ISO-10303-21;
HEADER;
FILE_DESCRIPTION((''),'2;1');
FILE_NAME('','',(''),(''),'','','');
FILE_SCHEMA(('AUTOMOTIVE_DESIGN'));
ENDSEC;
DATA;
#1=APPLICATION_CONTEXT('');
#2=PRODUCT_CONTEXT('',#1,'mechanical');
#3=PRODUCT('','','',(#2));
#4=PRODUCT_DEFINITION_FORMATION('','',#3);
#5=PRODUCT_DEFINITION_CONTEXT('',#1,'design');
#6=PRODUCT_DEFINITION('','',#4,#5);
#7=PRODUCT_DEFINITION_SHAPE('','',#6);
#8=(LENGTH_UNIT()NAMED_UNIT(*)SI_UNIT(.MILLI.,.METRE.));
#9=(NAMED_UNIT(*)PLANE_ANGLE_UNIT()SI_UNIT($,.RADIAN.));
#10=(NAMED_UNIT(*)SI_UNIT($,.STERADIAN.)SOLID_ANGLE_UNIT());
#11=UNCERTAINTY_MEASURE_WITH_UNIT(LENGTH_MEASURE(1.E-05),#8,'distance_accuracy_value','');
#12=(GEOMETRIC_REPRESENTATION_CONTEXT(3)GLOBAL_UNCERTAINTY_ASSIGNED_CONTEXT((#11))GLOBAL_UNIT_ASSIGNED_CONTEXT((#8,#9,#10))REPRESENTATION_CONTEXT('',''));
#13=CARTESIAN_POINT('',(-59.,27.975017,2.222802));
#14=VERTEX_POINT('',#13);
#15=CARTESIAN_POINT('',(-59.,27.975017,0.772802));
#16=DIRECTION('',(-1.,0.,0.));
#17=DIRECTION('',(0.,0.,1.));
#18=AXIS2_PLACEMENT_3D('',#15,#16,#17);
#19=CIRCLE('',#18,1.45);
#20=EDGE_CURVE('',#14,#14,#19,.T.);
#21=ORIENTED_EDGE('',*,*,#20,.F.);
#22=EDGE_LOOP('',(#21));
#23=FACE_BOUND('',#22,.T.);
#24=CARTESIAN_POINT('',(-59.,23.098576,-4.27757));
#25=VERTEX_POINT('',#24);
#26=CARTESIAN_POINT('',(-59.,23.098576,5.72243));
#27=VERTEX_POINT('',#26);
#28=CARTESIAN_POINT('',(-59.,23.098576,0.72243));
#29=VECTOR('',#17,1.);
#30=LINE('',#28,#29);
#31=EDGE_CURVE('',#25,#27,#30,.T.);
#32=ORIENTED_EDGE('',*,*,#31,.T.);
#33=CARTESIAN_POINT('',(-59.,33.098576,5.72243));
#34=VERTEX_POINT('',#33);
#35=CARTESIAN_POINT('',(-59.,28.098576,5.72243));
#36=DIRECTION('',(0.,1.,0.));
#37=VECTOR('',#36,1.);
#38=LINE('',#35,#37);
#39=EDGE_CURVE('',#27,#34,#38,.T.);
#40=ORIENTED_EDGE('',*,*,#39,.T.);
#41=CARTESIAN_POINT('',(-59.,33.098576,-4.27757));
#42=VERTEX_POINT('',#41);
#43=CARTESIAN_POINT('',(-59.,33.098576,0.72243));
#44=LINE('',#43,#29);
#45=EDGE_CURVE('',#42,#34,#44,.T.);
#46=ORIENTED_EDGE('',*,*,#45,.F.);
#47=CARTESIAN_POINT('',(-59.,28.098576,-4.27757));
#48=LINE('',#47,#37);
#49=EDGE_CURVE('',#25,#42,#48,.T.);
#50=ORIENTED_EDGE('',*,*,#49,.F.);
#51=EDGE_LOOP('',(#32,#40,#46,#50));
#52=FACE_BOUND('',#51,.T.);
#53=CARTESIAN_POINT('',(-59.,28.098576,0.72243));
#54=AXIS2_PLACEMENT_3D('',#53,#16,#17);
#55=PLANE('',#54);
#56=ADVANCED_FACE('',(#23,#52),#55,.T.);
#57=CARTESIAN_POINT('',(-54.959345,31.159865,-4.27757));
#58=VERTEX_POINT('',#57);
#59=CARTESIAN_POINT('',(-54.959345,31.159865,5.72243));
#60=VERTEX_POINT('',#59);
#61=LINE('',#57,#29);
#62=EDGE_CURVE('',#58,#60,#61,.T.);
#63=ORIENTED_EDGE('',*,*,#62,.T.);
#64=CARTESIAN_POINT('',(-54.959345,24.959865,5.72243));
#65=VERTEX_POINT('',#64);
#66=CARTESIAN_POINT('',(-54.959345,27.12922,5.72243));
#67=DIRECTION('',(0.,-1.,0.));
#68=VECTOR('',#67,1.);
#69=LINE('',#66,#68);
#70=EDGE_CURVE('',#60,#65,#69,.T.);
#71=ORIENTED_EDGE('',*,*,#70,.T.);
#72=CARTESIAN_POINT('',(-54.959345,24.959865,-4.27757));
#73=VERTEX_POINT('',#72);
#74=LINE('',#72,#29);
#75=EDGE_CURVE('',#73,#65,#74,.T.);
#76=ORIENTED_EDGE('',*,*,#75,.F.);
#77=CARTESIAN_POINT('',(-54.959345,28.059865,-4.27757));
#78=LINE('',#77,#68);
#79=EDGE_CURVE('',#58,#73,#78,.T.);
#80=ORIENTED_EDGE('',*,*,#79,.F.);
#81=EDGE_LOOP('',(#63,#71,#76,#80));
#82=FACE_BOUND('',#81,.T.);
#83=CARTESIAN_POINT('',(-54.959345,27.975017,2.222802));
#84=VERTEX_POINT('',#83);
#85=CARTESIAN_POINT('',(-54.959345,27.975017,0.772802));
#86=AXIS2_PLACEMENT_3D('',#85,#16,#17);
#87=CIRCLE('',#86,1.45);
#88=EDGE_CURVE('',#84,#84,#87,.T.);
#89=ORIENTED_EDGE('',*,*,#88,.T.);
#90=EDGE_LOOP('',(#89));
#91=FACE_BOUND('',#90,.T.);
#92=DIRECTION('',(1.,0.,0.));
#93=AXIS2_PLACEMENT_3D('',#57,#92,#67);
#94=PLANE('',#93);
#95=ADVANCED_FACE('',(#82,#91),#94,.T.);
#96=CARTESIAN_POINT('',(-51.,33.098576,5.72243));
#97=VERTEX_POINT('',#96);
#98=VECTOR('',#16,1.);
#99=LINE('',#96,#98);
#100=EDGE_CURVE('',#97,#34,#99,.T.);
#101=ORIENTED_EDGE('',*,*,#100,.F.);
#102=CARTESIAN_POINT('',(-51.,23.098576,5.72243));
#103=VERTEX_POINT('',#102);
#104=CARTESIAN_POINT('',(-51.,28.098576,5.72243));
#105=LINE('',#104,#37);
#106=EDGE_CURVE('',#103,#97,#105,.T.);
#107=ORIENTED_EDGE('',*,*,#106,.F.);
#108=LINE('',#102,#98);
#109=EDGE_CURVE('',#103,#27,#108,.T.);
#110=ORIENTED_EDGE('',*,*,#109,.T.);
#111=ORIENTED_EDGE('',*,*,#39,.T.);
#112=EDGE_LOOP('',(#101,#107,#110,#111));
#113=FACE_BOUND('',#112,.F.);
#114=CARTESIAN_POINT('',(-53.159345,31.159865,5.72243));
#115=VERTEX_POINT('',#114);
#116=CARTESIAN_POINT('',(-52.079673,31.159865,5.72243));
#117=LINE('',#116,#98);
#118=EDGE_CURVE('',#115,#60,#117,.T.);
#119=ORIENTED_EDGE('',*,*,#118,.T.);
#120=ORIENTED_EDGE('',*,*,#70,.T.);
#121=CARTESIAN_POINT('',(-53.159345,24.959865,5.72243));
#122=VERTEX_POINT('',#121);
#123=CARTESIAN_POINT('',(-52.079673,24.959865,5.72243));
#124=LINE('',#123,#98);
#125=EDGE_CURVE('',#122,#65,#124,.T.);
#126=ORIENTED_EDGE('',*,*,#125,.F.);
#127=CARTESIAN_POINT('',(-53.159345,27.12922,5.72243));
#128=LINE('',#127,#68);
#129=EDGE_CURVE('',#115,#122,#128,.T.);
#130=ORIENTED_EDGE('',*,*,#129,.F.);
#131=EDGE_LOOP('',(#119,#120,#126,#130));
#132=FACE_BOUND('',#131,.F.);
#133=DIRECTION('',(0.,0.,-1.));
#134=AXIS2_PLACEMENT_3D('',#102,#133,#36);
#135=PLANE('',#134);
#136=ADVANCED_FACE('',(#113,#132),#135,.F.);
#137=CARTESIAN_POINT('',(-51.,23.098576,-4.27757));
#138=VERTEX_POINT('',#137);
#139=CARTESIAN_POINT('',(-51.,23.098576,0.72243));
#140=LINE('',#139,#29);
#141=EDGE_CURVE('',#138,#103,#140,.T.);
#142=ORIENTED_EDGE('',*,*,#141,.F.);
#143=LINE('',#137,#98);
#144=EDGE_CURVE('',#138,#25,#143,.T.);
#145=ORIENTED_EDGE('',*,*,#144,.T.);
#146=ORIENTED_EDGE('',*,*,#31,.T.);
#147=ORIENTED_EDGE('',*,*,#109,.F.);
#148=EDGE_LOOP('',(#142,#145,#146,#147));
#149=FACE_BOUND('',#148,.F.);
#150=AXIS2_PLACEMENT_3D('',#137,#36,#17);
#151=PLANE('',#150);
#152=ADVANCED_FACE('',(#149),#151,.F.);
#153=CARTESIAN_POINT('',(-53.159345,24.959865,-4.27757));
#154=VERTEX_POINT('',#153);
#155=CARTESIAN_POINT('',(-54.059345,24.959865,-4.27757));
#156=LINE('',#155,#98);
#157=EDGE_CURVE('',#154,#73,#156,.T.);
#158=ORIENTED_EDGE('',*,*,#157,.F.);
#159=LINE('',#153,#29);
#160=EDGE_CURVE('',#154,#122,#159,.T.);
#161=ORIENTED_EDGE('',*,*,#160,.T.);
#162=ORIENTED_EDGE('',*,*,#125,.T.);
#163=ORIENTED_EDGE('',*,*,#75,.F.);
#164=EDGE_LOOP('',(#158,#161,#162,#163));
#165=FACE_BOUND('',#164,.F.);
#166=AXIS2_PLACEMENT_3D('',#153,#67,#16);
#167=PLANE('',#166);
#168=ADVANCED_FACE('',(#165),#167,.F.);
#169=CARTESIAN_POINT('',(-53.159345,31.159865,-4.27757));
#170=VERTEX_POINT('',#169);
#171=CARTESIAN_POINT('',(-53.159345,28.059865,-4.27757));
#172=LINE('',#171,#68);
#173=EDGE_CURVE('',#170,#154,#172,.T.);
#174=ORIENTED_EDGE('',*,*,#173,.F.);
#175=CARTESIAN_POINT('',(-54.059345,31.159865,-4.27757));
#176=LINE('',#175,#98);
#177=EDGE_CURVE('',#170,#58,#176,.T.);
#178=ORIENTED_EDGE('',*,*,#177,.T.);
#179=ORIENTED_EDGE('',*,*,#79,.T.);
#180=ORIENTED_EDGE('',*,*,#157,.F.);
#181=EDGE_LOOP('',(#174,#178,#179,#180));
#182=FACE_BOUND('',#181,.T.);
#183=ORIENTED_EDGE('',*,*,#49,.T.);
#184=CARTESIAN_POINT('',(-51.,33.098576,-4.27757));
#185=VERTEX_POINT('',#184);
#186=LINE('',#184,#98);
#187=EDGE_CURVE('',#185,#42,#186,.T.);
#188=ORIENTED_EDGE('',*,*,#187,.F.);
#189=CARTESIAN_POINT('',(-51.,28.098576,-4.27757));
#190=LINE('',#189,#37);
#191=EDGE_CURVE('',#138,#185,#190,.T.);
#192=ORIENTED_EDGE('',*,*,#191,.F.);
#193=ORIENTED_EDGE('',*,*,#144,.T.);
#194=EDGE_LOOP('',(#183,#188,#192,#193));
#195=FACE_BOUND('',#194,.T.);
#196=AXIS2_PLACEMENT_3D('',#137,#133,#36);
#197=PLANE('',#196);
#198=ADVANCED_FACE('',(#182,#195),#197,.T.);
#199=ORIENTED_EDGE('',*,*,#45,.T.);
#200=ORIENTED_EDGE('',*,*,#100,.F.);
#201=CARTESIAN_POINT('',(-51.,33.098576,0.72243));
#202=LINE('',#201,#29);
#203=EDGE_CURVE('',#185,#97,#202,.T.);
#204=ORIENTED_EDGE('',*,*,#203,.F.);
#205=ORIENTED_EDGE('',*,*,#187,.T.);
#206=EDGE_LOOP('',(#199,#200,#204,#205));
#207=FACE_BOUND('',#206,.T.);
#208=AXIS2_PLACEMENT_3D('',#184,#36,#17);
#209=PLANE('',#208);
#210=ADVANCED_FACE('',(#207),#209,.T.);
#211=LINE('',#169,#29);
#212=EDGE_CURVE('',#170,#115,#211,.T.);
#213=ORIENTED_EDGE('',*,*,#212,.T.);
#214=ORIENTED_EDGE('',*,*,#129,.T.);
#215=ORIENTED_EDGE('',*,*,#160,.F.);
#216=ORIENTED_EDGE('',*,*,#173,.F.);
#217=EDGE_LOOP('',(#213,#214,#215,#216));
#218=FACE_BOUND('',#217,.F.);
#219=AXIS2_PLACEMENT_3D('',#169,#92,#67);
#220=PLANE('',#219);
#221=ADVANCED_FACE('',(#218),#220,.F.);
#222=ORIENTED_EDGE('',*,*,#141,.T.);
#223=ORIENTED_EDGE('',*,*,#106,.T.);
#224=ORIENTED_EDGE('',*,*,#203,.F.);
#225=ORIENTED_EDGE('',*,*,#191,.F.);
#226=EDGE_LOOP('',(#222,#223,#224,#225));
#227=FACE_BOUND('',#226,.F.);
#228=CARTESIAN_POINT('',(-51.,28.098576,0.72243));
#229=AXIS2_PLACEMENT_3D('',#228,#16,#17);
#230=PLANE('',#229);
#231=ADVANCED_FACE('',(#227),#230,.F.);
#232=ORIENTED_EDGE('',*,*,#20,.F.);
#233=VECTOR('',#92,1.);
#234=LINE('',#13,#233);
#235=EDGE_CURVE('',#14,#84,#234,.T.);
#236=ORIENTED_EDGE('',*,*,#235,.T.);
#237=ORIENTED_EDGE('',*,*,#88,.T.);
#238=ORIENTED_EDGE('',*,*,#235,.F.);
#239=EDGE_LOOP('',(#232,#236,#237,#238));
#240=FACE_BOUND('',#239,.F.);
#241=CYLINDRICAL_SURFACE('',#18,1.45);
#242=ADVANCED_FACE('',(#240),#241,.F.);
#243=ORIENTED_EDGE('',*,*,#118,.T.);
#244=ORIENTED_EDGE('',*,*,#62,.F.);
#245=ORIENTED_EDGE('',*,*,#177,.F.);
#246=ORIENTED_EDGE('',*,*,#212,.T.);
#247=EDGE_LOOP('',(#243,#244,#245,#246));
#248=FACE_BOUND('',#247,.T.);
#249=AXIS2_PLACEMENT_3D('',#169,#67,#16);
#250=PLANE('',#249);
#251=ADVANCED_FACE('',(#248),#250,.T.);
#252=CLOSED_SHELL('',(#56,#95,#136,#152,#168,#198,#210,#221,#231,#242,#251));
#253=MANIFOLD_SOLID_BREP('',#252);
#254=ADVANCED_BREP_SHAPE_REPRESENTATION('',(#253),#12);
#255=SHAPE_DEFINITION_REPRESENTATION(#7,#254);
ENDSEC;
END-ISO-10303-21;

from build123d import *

# Parameters (mm, degrees)
SKETCH038_W             = 10
SKETCH038_H             = 10
PAD014_DEPTH            = 8
SKETCH039_R             = 1.45
POCKET009_DEPTH         = 5
SKETCH040_W             = 6.2
SKETCH040_H             = 1.8
POCKET010_DEPTH         = 15
BODY015_PLACEMENT_ANGLE = 90


with BuildPart() as part:
    # Sketch038 → Pad014 (new body)
    with BuildSketch(Plane.XY):
        with Locations((0.72243, -0.901424)):
            Rectangle(SKETCH038_W, SKETCH038_H)
    extrude(amount=PAD014_DEPTH)

    # Sketch039 (on Face6 of Pad014) → Pocket009 (cut)
    with BuildSketch(Plane.XY.offset(8)):
        with Locations((0.772802, -1.024983)):
            Circle(SKETCH039_R)
    extrude(amount=-POCKET009_DEPTH, mode=Mode.SUBTRACT)

    # Sketch040 (on Face2 of Pocket009) → Pocket010 (cut)
    with BuildSketch(Plane(origin=(-4.27757, 0, 0), x_dir=(0, -1, 0), z_dir=(-1, 0, 0))):
        with Locations((0.940135, 3.059345)):
            Rectangle(SKETCH040_W, SKETCH040_H)
    extrude(amount=-POCKET010_DEPTH, mode=Mode.SUBTRACT)


with BuildPart() as part_1:
    # Body015 placement: moved
    add(part.part.moved(Location((-51, 29, 0))).rotate(Axis((-51, 29, 0), (0, -1, 0)), BODY015_PLACEMENT_ANGLE))


solid = part_1.part
